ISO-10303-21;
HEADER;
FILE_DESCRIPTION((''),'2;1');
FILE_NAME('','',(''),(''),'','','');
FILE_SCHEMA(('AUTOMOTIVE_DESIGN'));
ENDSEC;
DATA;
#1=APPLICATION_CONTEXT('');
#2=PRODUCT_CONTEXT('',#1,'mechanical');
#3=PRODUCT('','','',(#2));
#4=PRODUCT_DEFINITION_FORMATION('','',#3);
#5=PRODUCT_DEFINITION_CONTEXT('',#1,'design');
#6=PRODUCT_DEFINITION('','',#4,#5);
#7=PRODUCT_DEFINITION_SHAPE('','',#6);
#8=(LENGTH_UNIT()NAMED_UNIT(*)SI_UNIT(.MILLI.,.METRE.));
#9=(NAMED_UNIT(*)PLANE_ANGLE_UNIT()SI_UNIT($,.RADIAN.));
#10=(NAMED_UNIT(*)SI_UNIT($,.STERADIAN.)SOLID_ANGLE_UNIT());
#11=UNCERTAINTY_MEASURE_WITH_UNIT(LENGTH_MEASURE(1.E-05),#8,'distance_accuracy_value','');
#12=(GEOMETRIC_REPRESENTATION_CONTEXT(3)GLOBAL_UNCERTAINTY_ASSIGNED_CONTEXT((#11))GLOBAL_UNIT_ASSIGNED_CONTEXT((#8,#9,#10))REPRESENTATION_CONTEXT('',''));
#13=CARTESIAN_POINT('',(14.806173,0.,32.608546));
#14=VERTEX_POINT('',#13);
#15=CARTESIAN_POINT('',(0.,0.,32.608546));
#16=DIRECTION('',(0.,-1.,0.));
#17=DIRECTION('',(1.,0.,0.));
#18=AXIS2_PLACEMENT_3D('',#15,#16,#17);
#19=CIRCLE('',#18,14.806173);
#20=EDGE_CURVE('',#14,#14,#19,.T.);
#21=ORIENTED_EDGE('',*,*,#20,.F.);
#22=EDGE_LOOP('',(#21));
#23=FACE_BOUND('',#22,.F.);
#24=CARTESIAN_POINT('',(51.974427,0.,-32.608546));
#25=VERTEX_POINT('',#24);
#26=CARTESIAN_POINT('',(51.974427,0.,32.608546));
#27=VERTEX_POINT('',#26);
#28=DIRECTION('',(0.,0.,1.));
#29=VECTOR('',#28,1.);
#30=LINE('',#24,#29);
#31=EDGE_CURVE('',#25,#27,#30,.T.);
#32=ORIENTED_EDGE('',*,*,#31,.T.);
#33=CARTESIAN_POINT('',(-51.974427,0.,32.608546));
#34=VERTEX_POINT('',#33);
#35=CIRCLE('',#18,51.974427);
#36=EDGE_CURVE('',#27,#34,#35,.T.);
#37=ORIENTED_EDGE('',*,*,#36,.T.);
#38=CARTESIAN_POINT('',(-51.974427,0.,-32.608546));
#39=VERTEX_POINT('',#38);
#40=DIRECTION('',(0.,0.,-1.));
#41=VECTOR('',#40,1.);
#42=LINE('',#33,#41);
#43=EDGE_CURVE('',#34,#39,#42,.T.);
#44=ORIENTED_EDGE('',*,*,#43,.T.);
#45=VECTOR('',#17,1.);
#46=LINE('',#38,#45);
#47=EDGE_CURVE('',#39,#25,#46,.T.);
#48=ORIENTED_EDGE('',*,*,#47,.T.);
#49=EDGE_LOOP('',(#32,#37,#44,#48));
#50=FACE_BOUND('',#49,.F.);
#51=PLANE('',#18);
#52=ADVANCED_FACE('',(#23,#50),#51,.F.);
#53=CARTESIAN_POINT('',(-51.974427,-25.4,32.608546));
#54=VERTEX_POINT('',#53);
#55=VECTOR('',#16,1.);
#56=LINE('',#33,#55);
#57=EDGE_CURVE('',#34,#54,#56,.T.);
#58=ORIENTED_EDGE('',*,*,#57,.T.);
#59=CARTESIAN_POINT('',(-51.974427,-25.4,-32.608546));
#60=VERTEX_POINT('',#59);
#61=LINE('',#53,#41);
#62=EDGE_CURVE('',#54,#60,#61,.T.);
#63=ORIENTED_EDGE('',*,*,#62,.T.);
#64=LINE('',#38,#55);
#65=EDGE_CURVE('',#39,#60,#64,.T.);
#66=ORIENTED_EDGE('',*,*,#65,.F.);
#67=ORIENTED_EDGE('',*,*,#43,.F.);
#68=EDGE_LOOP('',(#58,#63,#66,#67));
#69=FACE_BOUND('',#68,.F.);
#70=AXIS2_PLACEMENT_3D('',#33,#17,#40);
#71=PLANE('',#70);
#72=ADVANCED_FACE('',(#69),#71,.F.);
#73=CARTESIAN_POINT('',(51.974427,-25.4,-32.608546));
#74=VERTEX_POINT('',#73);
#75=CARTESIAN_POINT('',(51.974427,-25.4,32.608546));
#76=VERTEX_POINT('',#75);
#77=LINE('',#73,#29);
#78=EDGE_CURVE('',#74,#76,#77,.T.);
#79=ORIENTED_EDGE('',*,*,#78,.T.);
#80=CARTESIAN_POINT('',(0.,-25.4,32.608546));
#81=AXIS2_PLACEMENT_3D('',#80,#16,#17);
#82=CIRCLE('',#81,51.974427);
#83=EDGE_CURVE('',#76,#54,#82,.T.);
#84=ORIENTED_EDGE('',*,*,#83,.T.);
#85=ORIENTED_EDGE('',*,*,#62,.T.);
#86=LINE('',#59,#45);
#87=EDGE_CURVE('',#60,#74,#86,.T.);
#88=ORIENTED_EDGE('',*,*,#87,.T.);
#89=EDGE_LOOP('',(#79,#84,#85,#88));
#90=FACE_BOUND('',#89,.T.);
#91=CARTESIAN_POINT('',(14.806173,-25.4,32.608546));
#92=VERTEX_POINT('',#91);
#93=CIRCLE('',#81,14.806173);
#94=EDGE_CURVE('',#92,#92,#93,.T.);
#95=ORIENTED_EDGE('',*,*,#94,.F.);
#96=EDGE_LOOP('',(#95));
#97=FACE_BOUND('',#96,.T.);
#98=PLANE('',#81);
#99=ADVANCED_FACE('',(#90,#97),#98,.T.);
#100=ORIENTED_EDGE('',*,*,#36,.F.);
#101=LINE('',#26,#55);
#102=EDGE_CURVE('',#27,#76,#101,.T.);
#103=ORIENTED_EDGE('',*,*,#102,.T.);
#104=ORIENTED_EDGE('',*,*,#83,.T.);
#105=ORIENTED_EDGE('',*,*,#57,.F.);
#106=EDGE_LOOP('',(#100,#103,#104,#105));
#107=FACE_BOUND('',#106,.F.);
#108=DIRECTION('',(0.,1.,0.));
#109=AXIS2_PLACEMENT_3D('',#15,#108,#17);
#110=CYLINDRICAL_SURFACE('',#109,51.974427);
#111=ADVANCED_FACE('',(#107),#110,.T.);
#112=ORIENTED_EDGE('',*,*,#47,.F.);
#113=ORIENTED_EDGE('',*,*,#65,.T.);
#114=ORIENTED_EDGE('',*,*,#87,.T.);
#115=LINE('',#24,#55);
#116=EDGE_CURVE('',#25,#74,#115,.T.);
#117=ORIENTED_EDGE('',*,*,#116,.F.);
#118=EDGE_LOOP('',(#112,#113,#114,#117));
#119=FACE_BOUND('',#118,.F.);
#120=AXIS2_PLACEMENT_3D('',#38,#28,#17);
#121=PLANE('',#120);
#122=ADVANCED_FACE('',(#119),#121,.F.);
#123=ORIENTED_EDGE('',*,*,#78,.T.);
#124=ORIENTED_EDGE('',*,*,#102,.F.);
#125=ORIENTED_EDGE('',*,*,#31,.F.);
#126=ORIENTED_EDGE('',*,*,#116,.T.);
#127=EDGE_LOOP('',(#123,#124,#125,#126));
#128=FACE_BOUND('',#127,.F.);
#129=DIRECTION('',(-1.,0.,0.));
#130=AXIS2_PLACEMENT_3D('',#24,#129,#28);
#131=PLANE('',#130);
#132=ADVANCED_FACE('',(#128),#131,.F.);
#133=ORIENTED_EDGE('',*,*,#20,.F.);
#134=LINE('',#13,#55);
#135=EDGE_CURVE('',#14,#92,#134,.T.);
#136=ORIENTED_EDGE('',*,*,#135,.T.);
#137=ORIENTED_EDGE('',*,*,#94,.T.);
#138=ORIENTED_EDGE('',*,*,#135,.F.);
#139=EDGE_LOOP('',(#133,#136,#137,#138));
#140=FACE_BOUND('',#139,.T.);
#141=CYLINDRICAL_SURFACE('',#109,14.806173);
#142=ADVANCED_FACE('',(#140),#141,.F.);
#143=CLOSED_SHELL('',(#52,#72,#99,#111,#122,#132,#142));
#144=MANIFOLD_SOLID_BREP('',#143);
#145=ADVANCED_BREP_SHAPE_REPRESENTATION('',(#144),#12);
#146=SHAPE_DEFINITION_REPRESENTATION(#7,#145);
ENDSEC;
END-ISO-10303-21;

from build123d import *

# Parameters (mm, degrees)
F0_R     = 14.806173
F1_DEPTH = 25.4


with BuildPart() as f1:
    # F0 (on Front) → F1 (new body)
    with BuildSketch(Plane.XZ):
        with BuildLine():
            ThreePointArc((-28.858692, 32.608546), (0, 3.749855), (28.858692, 32.608546))
            ThreePointArc((28.858692, 32.608546), (0, 61.467238), (-28.858692, 32.608546))
        make_face()
        with Locations((0, 32.608546)):
            Circle(F0_R, mode=Mode.SUBTRACT)
        with BuildLine():
            Line((-51.974427, -32.608546), (51.974427, -32.608546))
            Line((51.974427, -32.608546), (51.974427, 32.608546))
            Line((51.974427, 32.608546), (28.858692, 32.608546))
            ThreePointArc((28.858692, 32.608546), (0, 3.749855), (-28.858692, 32.608546))
            Line((-28.858692, 32.608546), (-51.974427, 32.608546))
            Line((-51.974427, 32.608546), (-51.974427, -32.608546))
        make_face()
        with BuildLine():
            Line((28.858692, 32.608546), (51.974427, 32.608546))
            ThreePointArc((51.974427, 32.608546), (0, 84.582973), (-51.974427, 32.608546))
            Line((-51.974427, 32.608546), (-28.858692, 32.608546))
            ThreePointArc((-28.858692, 32.608546), (0, 61.467238), (28.858692, 32.608546))
        make_face()
    extrude(amount=F1_DEPTH)


solid = f1.part
